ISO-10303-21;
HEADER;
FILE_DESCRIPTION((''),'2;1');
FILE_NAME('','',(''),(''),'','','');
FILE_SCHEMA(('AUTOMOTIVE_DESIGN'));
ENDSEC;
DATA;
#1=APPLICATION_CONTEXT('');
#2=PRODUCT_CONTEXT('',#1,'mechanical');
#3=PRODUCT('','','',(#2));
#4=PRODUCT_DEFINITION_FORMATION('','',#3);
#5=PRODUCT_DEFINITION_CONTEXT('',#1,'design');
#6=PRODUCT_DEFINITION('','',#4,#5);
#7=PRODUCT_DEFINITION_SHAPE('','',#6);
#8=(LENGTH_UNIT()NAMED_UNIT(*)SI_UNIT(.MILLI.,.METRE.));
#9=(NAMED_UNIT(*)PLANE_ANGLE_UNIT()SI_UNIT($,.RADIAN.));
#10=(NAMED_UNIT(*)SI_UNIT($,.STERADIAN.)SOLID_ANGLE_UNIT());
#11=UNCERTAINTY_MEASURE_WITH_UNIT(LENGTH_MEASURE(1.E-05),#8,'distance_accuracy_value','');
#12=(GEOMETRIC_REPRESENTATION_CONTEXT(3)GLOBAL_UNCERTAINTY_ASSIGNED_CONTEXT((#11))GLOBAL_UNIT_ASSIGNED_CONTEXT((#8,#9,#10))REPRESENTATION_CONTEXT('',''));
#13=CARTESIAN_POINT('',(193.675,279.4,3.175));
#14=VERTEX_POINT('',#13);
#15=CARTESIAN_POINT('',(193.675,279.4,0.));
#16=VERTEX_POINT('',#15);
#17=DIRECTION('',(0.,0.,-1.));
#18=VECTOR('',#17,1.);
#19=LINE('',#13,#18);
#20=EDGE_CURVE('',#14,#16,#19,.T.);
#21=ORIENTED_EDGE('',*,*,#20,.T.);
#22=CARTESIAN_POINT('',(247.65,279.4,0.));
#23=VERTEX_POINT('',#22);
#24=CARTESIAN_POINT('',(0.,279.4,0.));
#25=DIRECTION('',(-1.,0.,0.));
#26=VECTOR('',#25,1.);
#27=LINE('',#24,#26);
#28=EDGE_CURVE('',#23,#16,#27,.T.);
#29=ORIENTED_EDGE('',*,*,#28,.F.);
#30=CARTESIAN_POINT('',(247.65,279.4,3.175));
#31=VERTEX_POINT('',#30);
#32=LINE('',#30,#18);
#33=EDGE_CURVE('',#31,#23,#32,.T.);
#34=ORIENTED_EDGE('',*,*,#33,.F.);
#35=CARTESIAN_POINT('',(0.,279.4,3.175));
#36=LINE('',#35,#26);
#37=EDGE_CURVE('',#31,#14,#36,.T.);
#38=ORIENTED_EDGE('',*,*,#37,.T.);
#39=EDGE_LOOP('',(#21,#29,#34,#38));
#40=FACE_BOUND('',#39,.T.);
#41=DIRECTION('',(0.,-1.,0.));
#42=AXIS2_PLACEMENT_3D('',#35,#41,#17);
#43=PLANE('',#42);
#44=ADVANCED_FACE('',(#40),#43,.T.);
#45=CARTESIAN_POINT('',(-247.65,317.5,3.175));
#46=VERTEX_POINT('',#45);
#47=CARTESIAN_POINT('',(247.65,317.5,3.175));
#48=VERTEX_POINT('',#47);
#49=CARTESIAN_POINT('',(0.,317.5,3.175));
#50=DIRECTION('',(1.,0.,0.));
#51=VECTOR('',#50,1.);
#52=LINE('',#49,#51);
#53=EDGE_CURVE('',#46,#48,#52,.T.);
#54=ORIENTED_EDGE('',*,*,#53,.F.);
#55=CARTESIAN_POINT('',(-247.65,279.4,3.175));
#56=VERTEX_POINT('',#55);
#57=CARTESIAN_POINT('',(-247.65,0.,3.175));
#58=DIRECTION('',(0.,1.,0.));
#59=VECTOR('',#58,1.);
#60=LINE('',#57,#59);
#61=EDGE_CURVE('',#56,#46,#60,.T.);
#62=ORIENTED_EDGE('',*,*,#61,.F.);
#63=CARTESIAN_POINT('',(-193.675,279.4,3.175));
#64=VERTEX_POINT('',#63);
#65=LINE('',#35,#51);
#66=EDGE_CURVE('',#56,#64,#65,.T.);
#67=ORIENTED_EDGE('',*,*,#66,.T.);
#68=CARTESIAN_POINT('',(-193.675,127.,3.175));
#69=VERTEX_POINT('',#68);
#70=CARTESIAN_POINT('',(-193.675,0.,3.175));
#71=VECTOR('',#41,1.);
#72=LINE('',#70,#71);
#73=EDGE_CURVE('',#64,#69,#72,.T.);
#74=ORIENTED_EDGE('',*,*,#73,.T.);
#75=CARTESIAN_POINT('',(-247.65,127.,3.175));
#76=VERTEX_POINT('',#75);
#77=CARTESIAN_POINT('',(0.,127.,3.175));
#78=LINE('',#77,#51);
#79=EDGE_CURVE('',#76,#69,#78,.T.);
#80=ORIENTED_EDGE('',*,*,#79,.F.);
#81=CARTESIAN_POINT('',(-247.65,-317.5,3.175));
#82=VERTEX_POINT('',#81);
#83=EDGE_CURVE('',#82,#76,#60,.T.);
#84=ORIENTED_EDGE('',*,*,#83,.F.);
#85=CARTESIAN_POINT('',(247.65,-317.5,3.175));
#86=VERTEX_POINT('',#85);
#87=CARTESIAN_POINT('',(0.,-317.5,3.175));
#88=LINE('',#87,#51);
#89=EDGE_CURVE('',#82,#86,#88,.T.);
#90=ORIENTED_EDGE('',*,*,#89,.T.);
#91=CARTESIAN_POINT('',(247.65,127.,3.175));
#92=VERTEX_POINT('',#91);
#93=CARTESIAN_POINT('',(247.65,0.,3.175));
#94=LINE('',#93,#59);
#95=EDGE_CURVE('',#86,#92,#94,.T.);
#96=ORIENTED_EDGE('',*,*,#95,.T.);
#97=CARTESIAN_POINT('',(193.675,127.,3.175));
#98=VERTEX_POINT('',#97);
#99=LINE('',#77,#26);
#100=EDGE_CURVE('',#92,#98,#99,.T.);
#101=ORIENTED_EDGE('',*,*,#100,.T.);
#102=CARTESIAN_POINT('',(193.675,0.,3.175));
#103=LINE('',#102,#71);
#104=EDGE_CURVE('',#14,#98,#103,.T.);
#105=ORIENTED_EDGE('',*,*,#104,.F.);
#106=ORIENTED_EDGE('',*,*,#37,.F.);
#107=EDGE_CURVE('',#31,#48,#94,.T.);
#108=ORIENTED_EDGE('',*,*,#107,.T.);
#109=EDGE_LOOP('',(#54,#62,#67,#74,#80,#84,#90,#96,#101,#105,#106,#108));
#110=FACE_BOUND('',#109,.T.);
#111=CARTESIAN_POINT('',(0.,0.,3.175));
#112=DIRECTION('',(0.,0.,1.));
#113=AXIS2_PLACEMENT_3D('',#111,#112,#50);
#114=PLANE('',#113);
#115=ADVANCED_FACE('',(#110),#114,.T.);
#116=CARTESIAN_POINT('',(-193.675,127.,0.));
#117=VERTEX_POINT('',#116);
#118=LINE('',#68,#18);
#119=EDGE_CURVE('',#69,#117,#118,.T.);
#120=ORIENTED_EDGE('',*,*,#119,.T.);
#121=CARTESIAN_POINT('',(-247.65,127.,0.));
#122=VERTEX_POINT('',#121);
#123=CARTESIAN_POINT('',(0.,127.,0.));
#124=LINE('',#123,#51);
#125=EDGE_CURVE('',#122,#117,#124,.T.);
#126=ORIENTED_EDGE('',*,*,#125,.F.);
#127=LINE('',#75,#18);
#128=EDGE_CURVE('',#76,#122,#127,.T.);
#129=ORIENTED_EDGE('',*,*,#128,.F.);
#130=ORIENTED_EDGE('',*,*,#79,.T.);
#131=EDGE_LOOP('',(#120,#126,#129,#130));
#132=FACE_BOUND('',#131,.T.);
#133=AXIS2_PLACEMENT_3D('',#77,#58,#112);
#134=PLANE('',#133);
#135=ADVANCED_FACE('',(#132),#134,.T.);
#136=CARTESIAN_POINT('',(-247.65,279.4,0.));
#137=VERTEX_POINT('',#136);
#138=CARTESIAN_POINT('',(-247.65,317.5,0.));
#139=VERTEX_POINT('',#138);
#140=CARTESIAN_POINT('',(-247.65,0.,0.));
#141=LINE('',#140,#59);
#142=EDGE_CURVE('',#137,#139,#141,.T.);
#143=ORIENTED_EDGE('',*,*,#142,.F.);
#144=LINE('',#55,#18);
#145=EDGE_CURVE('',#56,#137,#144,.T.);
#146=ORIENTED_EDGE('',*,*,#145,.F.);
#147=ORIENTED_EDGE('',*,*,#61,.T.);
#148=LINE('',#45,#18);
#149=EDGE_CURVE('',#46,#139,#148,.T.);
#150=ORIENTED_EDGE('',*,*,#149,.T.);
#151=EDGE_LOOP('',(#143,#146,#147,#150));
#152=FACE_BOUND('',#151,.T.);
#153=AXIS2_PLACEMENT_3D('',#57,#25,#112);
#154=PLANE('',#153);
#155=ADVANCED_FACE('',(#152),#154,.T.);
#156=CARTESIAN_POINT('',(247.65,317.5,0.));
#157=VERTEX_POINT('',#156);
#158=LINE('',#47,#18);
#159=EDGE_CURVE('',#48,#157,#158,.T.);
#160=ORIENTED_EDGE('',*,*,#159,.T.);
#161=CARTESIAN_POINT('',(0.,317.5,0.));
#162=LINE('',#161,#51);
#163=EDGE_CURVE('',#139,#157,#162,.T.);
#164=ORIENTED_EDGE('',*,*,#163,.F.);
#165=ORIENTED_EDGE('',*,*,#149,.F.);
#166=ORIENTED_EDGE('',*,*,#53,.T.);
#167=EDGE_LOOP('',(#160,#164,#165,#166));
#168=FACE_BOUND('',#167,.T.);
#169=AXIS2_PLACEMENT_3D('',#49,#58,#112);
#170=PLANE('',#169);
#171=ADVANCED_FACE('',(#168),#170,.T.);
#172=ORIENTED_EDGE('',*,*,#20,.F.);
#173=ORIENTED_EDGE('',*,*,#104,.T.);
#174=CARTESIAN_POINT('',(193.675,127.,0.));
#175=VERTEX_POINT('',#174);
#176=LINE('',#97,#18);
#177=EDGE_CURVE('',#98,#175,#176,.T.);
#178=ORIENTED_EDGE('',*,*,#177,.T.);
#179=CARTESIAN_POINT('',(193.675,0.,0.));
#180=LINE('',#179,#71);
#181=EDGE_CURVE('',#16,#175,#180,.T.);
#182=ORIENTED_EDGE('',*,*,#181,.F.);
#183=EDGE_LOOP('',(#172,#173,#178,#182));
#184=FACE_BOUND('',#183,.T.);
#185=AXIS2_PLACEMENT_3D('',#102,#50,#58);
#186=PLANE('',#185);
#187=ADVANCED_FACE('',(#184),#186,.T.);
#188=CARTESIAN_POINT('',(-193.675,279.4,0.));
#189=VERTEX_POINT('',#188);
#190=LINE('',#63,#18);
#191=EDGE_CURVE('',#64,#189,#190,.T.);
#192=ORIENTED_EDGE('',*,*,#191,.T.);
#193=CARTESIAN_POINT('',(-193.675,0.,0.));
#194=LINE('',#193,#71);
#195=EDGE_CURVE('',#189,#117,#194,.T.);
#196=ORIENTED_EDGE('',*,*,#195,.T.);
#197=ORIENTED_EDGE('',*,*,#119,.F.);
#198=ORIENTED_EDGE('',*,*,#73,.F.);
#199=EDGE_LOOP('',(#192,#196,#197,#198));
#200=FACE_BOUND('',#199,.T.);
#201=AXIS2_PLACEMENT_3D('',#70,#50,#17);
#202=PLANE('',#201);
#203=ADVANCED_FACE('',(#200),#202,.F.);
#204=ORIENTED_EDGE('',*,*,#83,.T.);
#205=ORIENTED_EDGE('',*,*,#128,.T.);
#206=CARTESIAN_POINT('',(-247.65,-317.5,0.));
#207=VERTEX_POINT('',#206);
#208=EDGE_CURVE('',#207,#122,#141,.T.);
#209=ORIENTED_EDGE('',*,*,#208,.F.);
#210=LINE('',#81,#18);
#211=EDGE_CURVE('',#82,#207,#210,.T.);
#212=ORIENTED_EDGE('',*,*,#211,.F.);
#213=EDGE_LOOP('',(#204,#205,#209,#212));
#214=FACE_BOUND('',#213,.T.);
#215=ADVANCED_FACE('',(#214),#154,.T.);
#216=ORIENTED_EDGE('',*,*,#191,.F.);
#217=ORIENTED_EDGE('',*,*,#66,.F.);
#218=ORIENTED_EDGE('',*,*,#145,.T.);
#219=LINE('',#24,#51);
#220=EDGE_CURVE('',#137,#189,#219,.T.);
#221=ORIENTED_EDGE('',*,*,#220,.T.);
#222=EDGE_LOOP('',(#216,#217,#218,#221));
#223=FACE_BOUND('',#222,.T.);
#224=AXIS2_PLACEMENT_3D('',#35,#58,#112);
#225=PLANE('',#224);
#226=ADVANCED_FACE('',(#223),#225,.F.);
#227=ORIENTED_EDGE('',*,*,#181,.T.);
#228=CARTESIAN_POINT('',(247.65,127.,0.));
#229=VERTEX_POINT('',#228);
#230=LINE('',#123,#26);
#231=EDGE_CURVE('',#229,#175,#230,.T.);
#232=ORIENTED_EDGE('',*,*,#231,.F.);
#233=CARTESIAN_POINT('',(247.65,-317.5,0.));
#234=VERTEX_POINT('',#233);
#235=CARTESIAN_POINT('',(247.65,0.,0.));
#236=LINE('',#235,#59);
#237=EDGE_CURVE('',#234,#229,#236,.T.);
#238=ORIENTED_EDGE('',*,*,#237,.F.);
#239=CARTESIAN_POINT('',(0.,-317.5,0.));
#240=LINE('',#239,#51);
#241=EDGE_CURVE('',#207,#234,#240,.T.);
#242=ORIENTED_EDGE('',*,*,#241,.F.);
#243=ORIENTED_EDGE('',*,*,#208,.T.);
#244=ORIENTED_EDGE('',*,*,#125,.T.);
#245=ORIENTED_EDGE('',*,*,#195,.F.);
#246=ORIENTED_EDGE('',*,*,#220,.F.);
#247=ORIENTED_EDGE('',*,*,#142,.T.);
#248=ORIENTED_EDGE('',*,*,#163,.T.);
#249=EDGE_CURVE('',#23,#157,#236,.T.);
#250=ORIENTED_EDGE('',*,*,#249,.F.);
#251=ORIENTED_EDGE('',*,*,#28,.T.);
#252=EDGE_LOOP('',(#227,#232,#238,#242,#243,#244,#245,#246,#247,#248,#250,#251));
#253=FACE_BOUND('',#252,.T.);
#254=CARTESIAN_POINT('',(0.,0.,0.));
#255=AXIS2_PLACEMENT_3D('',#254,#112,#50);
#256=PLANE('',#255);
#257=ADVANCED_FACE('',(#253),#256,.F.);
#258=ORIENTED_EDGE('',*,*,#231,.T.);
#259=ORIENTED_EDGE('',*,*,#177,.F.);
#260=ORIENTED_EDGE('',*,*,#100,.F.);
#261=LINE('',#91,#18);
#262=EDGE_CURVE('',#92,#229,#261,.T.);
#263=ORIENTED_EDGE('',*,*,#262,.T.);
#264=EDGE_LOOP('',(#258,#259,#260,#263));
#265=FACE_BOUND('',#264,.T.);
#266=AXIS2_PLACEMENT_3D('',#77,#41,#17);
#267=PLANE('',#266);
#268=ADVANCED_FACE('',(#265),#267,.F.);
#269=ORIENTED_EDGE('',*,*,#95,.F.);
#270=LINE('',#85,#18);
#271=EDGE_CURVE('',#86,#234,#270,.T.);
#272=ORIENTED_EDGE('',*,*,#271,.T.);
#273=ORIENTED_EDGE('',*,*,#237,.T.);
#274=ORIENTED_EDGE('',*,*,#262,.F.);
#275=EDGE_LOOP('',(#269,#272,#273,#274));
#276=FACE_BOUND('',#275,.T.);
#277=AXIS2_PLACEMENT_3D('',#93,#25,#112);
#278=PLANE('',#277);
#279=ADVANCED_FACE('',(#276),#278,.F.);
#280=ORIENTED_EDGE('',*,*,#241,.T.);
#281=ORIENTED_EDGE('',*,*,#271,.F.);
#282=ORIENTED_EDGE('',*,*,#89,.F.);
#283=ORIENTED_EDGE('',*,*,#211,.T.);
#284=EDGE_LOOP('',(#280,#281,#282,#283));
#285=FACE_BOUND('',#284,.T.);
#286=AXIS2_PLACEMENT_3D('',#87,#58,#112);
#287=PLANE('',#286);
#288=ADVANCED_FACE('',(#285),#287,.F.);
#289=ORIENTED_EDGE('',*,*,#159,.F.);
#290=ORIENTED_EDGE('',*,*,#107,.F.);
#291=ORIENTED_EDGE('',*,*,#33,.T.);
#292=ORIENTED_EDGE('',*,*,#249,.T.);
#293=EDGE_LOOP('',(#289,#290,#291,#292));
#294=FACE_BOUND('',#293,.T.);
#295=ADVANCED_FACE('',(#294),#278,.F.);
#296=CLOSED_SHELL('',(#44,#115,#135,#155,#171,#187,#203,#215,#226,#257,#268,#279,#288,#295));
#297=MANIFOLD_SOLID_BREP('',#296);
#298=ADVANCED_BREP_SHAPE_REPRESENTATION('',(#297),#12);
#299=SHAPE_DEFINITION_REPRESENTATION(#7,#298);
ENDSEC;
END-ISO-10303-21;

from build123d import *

# Parameters (mm, degrees)
BOSS_EXTRUDE1_DEPTH = 3.175


with BuildPart() as part:
    # Sketch1 → Boss-Extrude1 (new body)
    with BuildSketch(Plane.XY):
        Polygon((-247.65, 127), (-247.65, -317.5), (247.65, -317.5), (247.65, 127), (193.675, 127), (193.675, 279.4), (247.65, 279.4), (247.65, 317.5), (-247.65, 317.5), (-247.65, 279.4), (-193.675, 279.4), (-193.675, 127), align=None)
    extrude(amount=BOSS_EXTRUDE1_DEPTH)


solid = part.part
